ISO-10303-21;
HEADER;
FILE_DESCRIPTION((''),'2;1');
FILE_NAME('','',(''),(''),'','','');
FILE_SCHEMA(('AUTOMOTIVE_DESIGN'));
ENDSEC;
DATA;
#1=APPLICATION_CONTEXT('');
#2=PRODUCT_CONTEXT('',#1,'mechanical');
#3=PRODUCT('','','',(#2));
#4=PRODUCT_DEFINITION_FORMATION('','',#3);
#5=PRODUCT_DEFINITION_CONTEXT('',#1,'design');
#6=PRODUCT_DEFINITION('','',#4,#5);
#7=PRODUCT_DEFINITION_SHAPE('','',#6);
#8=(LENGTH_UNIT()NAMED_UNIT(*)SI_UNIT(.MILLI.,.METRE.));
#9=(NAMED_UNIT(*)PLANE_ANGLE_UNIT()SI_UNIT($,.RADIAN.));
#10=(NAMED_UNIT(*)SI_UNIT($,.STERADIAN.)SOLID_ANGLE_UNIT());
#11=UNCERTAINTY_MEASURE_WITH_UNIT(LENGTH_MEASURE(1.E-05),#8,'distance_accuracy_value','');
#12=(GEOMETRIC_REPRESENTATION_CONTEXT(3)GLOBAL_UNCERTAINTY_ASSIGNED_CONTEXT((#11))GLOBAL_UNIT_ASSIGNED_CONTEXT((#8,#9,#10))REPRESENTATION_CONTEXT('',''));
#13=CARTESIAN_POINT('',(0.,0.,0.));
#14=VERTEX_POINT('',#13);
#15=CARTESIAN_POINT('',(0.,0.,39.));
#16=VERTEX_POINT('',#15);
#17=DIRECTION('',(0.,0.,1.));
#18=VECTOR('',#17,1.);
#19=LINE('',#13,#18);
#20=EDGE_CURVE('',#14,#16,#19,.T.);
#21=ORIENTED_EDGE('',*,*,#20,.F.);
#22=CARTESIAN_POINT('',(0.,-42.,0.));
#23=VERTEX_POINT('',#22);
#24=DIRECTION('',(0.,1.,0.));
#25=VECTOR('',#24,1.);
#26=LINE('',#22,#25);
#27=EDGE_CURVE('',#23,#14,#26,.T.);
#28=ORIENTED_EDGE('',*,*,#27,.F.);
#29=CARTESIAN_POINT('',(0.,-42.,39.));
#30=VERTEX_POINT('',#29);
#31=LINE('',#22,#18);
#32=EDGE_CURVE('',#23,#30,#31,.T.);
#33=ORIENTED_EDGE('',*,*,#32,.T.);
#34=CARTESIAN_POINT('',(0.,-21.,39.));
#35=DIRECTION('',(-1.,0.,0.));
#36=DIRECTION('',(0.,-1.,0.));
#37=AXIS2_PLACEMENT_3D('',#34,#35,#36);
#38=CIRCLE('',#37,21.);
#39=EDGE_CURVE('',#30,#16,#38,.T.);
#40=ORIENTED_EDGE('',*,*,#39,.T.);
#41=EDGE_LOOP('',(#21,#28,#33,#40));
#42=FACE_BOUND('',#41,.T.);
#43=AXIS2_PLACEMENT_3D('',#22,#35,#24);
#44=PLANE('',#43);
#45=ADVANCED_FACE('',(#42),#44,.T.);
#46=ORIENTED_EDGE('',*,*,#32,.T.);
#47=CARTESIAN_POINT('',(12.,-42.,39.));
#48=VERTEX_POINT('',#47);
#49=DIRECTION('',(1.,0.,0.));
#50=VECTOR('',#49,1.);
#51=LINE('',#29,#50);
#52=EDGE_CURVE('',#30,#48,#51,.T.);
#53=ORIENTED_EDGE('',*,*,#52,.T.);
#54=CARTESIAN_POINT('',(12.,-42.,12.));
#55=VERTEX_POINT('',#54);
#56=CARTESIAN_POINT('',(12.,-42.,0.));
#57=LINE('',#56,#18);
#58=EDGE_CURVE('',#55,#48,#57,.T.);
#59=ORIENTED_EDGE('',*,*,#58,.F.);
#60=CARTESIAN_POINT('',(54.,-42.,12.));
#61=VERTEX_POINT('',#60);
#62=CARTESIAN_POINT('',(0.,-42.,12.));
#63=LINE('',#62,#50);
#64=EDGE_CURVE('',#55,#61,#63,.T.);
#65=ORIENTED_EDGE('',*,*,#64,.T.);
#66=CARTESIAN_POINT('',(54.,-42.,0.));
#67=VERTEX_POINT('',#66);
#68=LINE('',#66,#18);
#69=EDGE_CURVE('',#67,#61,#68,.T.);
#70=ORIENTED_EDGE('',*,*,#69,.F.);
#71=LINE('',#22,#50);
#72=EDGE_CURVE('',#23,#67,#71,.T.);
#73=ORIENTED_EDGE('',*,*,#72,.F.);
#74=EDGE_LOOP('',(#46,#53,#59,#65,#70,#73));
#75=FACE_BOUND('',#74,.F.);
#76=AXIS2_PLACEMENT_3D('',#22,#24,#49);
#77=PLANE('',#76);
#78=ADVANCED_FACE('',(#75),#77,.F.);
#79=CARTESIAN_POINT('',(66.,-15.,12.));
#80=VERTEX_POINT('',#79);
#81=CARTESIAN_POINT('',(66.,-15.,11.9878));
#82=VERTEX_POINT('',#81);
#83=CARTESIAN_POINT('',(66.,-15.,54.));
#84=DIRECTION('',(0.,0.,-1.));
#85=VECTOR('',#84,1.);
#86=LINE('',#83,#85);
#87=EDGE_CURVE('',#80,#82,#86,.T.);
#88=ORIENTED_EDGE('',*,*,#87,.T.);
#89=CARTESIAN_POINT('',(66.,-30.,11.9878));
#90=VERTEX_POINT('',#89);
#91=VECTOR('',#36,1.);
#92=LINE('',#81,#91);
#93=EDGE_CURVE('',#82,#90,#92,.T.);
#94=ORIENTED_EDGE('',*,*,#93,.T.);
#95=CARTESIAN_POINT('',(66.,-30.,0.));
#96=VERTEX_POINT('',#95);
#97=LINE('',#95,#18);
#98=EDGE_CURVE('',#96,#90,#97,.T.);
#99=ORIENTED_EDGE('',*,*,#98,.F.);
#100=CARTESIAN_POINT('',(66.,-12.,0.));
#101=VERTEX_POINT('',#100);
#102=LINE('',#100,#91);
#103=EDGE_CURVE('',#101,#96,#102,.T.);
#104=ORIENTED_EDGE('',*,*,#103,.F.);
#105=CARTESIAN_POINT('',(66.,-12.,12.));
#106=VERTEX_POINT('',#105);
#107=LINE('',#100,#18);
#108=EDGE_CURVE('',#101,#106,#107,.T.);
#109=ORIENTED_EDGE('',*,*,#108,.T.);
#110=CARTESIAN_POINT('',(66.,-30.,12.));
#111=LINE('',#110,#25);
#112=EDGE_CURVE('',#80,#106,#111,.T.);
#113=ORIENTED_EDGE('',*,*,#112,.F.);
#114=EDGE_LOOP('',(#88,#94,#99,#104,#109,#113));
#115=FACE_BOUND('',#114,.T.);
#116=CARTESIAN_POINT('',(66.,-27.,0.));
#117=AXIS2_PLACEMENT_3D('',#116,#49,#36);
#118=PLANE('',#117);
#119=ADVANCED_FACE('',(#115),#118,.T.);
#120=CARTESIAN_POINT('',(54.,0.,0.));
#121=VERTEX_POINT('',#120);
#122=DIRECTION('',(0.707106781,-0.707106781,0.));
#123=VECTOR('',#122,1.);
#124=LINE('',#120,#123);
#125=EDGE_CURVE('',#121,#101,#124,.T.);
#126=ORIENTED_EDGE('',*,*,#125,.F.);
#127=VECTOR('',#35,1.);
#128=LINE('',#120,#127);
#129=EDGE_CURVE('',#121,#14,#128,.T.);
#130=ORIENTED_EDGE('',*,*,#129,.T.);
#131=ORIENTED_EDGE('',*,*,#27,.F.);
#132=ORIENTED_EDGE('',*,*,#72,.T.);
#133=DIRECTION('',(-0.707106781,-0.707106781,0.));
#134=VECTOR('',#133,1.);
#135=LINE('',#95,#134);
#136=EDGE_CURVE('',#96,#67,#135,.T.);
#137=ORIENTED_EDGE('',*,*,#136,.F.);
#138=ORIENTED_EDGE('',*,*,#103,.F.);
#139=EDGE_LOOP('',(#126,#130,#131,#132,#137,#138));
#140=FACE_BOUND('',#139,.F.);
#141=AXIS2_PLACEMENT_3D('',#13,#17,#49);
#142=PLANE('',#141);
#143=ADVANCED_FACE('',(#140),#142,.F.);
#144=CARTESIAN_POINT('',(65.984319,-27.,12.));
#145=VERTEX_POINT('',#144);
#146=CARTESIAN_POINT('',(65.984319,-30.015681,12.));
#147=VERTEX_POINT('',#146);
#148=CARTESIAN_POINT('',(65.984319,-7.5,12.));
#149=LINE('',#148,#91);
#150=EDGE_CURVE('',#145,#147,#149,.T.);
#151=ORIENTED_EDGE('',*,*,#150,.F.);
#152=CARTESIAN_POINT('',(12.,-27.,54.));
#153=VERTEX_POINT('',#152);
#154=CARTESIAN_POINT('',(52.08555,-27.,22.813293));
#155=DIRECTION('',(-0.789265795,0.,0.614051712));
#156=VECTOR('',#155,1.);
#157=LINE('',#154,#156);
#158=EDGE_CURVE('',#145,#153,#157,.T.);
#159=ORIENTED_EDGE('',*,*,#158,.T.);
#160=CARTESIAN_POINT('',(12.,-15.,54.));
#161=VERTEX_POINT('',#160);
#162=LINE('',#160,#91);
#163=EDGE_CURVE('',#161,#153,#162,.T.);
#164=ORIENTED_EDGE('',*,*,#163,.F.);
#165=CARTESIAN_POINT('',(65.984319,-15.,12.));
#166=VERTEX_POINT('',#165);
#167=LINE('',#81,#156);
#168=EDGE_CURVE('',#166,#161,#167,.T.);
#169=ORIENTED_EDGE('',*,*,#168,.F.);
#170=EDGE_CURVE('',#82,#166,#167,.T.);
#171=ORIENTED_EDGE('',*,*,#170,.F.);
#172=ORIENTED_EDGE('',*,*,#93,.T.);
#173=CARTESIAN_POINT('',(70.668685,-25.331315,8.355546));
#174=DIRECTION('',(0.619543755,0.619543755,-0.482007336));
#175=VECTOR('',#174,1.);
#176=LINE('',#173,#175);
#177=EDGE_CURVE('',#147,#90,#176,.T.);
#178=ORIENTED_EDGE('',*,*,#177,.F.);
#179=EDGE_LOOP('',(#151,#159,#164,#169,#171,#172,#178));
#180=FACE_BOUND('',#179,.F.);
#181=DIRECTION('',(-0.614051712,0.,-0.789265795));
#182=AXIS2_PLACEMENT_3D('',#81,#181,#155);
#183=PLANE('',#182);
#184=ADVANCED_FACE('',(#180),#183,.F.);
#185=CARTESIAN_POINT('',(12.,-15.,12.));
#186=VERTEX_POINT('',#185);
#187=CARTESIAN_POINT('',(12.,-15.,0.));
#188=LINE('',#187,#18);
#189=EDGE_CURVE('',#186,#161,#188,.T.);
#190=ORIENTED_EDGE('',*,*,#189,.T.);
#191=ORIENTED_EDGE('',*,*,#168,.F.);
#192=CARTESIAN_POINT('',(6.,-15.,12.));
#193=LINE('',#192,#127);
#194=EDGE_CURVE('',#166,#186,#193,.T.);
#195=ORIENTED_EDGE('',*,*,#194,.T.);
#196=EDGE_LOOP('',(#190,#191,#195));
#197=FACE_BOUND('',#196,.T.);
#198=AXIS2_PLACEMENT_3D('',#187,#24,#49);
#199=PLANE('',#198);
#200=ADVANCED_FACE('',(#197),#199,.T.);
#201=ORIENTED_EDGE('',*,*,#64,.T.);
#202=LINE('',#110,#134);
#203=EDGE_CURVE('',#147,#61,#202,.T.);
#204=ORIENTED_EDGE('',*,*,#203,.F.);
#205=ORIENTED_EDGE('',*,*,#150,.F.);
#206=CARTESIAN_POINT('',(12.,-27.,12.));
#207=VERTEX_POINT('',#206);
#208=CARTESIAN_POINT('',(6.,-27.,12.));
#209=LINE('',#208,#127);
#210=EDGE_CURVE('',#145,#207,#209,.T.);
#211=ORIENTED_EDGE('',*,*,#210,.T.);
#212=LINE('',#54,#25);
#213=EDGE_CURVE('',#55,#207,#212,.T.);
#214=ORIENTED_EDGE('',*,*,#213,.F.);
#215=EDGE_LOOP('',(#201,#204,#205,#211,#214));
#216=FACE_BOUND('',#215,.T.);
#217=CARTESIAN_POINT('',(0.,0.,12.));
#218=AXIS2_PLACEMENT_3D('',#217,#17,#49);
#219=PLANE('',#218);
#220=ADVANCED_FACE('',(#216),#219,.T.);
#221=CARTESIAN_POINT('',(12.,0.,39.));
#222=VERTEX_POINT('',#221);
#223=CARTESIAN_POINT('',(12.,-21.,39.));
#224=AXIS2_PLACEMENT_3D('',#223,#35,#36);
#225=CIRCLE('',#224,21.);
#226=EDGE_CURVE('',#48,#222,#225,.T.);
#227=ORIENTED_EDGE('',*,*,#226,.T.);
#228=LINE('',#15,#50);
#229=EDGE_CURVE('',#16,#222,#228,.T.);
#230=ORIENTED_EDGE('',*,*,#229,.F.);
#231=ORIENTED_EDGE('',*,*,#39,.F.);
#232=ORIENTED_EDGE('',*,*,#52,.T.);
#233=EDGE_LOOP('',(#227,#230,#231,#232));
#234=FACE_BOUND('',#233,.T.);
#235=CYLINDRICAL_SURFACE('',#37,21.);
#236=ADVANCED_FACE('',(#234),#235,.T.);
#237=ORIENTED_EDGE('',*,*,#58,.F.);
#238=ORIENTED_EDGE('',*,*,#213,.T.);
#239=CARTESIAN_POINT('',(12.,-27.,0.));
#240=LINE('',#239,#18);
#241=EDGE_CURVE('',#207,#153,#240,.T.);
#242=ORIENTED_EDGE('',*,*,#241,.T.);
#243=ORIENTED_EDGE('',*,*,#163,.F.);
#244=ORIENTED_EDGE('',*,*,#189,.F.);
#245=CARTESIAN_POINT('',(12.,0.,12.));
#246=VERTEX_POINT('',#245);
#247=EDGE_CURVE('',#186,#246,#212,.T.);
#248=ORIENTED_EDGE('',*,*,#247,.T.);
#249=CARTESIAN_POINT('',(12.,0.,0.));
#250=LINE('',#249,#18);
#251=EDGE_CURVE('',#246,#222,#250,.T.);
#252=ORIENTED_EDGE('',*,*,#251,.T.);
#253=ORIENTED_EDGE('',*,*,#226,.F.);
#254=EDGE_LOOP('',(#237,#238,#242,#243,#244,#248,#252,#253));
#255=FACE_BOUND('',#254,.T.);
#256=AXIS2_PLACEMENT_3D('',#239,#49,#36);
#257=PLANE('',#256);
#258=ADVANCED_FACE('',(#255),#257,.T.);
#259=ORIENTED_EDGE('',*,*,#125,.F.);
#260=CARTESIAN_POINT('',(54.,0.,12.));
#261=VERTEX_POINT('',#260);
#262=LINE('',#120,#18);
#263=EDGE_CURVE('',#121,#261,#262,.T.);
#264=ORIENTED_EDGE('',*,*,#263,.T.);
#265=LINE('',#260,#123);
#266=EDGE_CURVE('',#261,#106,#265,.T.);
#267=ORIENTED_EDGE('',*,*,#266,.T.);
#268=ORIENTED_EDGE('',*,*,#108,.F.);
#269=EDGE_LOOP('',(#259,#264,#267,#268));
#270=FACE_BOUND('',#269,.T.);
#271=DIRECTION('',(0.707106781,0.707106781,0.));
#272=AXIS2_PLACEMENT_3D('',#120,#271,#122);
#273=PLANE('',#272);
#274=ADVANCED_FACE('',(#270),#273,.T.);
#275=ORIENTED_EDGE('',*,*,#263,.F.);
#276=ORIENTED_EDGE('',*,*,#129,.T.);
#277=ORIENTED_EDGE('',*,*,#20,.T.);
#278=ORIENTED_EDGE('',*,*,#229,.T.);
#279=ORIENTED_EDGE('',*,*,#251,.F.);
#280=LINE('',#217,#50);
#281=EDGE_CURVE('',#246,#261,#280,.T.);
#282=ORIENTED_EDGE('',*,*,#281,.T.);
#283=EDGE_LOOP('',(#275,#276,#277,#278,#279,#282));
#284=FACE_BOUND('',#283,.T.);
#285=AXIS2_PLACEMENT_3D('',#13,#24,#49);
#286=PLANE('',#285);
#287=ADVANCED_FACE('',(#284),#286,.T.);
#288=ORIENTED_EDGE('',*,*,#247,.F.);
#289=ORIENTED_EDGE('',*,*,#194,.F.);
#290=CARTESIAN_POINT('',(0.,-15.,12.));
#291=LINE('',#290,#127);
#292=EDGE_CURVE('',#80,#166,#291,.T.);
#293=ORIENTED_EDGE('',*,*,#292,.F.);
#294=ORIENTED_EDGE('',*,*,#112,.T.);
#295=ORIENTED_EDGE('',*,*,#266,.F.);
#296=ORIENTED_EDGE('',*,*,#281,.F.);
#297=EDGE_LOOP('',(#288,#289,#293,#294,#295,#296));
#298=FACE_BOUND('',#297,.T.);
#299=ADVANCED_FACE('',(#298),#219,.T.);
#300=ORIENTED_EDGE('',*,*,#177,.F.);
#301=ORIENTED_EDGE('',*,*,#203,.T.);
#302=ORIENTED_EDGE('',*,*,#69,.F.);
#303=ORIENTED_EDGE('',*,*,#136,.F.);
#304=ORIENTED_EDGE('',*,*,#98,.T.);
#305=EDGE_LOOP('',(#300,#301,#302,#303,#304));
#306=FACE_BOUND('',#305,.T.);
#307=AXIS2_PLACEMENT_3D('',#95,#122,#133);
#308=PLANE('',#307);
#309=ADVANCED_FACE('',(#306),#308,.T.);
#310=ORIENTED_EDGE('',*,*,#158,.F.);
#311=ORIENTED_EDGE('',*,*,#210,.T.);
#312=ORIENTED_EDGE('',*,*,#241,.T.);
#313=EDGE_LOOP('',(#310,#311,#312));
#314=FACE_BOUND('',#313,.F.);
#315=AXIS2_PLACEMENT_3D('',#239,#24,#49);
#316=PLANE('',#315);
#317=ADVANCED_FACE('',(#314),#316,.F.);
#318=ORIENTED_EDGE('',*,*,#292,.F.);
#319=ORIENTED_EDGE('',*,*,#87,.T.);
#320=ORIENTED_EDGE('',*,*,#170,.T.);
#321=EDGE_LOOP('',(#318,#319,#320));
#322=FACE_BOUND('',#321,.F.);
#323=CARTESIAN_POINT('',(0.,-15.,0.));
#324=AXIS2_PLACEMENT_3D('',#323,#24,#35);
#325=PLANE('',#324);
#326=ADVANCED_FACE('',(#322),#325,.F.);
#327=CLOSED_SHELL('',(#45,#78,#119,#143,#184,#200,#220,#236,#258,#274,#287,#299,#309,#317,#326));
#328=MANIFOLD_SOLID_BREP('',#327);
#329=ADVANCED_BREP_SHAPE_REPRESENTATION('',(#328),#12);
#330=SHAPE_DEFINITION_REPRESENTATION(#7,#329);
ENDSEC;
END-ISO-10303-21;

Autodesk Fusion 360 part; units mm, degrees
sketch "Sketch1" plane through (0, 0, 0) normal (0, 0, 1) x (1, 0, 0)
  line L0 (0, 0) -> (66, 0) construction
  line L1 (66, 0) -> (66, -42) construction
  line L2 (66, -42) -> (0, -42) construction
  line L3 (0, -42) -> (0, 0)
  line L4 (66, 0) -> (54, 0) construction
  line L5 (54, 0) -> (54, -12) construction
  line L6 (54, -12) -> (66, -12) construction
  line L7 (66, -12) -> (66, 0) construction
  line L8 (66, -42) -> (54, -42) construction
  line L9 (54, -42) -> (54, -30) construction
  line L10 (54, -30) -> (66, -30) construction
  line L11 (66, -30) -> (66, -42) construction
  line L12 (54, 0) -> (66, -12)
  line L13 (66, -30) -> (54, -42)
  line L14 (0, -42) -> (54, -42)
  line L15 (0, 0) -> (54, 0)
  line L16 (66, -12) -> (66, -30)
  line L17 (0, 0) -> (12, 0)
  line L18 (12, 0) -> (12, -42)
  line L19 (12, -42) -> (0, -42)
  line L20 (0, -42) -> (0, 0)
  line L21 (66, -21) -> (12, -21)
  line L22 (12, -21) -> (12, -15)
  line L23 (12, -21) -> (12, -27)
  line L24 (12, -27) -> (66, -27)
  line L25 (12, -15) -> (66, -15)
  dimension "d1" = 66
  dimension "d2" = 42
  dimension "d3" = 12
  dimension "d4" = 12
  dimension "d5" = 12
  dimension "d6" = 12
  dimension "d7" = 42
  dimension "d8" = 12
  dimension "d9" = 6
  dimension "d10" = 6
extrude "Extrude1" add sketch "Sketch1" along normal blind 60 contours L3 L14 L15 L17 L18 L19 L20 L22 L23 makes body 1
extrude "Extrude2" add sketch "Sketch1" along normal blind 12 contours L13 L14 L16 L18 L24 | L12 L15 L16 L18 L25 | L16 L18 L21 L23 L24 | L16 L18 L21 L22 L25 bodies 1
sketch "Sketch2" plane through (0, 0, 0) normal (-1, 0, 0) x (0, -1, 0)
  line L0 (0, 0) -> (42, 0)
  line L1 (42, 0) -> (42, 60)
  line L2 (42, 60) -> (0, 60)
  line L3 (0, 60) -> (0, 0)
  line L4 (0, 60) -> (42, 60)
  line L5 (42, 60) -> (42, 0)
  line L6 (42, 0) -> (0, 0)
  line L7 (0, 0) -> (0, 60)
  circle A0 centre (21, 39) radius 21
  dimension "d15" = 42
extrude "Extrude3" cut sketch "Sketch2" against normal blind 15 contours L2 L3 L4 L7 A0 | L1 L2 L4 L5 A0 bodies 1
extrude "Extrude4" add sketch "Sketch1" along normal blind 54 separate body contours L16 L18 L21 L23 L24 | L16 L18 L21 L22 L25 makes body 2
sketch "Sketch3" plane through (0, -15, 0) normal (0, 1, 0) x (-1, 0, 0)
  line L0 (-66, 0) -> (-12, 0)
  line L1 (-12, 0) -> (-12, 54)
  line L2 (-12, 54) -> (-66, 54)
  line L3 (-66, 54) -> (-66, 0)
  line L4 (-66, 11.9878) -> (-12, 54)
extrude "Extrude5" cut sketch "Sketch3" against normal blind 25 contours L2 L3 L4 bodies 1 2
combine "Combine1" operation add target body 1 tool bodies 2
